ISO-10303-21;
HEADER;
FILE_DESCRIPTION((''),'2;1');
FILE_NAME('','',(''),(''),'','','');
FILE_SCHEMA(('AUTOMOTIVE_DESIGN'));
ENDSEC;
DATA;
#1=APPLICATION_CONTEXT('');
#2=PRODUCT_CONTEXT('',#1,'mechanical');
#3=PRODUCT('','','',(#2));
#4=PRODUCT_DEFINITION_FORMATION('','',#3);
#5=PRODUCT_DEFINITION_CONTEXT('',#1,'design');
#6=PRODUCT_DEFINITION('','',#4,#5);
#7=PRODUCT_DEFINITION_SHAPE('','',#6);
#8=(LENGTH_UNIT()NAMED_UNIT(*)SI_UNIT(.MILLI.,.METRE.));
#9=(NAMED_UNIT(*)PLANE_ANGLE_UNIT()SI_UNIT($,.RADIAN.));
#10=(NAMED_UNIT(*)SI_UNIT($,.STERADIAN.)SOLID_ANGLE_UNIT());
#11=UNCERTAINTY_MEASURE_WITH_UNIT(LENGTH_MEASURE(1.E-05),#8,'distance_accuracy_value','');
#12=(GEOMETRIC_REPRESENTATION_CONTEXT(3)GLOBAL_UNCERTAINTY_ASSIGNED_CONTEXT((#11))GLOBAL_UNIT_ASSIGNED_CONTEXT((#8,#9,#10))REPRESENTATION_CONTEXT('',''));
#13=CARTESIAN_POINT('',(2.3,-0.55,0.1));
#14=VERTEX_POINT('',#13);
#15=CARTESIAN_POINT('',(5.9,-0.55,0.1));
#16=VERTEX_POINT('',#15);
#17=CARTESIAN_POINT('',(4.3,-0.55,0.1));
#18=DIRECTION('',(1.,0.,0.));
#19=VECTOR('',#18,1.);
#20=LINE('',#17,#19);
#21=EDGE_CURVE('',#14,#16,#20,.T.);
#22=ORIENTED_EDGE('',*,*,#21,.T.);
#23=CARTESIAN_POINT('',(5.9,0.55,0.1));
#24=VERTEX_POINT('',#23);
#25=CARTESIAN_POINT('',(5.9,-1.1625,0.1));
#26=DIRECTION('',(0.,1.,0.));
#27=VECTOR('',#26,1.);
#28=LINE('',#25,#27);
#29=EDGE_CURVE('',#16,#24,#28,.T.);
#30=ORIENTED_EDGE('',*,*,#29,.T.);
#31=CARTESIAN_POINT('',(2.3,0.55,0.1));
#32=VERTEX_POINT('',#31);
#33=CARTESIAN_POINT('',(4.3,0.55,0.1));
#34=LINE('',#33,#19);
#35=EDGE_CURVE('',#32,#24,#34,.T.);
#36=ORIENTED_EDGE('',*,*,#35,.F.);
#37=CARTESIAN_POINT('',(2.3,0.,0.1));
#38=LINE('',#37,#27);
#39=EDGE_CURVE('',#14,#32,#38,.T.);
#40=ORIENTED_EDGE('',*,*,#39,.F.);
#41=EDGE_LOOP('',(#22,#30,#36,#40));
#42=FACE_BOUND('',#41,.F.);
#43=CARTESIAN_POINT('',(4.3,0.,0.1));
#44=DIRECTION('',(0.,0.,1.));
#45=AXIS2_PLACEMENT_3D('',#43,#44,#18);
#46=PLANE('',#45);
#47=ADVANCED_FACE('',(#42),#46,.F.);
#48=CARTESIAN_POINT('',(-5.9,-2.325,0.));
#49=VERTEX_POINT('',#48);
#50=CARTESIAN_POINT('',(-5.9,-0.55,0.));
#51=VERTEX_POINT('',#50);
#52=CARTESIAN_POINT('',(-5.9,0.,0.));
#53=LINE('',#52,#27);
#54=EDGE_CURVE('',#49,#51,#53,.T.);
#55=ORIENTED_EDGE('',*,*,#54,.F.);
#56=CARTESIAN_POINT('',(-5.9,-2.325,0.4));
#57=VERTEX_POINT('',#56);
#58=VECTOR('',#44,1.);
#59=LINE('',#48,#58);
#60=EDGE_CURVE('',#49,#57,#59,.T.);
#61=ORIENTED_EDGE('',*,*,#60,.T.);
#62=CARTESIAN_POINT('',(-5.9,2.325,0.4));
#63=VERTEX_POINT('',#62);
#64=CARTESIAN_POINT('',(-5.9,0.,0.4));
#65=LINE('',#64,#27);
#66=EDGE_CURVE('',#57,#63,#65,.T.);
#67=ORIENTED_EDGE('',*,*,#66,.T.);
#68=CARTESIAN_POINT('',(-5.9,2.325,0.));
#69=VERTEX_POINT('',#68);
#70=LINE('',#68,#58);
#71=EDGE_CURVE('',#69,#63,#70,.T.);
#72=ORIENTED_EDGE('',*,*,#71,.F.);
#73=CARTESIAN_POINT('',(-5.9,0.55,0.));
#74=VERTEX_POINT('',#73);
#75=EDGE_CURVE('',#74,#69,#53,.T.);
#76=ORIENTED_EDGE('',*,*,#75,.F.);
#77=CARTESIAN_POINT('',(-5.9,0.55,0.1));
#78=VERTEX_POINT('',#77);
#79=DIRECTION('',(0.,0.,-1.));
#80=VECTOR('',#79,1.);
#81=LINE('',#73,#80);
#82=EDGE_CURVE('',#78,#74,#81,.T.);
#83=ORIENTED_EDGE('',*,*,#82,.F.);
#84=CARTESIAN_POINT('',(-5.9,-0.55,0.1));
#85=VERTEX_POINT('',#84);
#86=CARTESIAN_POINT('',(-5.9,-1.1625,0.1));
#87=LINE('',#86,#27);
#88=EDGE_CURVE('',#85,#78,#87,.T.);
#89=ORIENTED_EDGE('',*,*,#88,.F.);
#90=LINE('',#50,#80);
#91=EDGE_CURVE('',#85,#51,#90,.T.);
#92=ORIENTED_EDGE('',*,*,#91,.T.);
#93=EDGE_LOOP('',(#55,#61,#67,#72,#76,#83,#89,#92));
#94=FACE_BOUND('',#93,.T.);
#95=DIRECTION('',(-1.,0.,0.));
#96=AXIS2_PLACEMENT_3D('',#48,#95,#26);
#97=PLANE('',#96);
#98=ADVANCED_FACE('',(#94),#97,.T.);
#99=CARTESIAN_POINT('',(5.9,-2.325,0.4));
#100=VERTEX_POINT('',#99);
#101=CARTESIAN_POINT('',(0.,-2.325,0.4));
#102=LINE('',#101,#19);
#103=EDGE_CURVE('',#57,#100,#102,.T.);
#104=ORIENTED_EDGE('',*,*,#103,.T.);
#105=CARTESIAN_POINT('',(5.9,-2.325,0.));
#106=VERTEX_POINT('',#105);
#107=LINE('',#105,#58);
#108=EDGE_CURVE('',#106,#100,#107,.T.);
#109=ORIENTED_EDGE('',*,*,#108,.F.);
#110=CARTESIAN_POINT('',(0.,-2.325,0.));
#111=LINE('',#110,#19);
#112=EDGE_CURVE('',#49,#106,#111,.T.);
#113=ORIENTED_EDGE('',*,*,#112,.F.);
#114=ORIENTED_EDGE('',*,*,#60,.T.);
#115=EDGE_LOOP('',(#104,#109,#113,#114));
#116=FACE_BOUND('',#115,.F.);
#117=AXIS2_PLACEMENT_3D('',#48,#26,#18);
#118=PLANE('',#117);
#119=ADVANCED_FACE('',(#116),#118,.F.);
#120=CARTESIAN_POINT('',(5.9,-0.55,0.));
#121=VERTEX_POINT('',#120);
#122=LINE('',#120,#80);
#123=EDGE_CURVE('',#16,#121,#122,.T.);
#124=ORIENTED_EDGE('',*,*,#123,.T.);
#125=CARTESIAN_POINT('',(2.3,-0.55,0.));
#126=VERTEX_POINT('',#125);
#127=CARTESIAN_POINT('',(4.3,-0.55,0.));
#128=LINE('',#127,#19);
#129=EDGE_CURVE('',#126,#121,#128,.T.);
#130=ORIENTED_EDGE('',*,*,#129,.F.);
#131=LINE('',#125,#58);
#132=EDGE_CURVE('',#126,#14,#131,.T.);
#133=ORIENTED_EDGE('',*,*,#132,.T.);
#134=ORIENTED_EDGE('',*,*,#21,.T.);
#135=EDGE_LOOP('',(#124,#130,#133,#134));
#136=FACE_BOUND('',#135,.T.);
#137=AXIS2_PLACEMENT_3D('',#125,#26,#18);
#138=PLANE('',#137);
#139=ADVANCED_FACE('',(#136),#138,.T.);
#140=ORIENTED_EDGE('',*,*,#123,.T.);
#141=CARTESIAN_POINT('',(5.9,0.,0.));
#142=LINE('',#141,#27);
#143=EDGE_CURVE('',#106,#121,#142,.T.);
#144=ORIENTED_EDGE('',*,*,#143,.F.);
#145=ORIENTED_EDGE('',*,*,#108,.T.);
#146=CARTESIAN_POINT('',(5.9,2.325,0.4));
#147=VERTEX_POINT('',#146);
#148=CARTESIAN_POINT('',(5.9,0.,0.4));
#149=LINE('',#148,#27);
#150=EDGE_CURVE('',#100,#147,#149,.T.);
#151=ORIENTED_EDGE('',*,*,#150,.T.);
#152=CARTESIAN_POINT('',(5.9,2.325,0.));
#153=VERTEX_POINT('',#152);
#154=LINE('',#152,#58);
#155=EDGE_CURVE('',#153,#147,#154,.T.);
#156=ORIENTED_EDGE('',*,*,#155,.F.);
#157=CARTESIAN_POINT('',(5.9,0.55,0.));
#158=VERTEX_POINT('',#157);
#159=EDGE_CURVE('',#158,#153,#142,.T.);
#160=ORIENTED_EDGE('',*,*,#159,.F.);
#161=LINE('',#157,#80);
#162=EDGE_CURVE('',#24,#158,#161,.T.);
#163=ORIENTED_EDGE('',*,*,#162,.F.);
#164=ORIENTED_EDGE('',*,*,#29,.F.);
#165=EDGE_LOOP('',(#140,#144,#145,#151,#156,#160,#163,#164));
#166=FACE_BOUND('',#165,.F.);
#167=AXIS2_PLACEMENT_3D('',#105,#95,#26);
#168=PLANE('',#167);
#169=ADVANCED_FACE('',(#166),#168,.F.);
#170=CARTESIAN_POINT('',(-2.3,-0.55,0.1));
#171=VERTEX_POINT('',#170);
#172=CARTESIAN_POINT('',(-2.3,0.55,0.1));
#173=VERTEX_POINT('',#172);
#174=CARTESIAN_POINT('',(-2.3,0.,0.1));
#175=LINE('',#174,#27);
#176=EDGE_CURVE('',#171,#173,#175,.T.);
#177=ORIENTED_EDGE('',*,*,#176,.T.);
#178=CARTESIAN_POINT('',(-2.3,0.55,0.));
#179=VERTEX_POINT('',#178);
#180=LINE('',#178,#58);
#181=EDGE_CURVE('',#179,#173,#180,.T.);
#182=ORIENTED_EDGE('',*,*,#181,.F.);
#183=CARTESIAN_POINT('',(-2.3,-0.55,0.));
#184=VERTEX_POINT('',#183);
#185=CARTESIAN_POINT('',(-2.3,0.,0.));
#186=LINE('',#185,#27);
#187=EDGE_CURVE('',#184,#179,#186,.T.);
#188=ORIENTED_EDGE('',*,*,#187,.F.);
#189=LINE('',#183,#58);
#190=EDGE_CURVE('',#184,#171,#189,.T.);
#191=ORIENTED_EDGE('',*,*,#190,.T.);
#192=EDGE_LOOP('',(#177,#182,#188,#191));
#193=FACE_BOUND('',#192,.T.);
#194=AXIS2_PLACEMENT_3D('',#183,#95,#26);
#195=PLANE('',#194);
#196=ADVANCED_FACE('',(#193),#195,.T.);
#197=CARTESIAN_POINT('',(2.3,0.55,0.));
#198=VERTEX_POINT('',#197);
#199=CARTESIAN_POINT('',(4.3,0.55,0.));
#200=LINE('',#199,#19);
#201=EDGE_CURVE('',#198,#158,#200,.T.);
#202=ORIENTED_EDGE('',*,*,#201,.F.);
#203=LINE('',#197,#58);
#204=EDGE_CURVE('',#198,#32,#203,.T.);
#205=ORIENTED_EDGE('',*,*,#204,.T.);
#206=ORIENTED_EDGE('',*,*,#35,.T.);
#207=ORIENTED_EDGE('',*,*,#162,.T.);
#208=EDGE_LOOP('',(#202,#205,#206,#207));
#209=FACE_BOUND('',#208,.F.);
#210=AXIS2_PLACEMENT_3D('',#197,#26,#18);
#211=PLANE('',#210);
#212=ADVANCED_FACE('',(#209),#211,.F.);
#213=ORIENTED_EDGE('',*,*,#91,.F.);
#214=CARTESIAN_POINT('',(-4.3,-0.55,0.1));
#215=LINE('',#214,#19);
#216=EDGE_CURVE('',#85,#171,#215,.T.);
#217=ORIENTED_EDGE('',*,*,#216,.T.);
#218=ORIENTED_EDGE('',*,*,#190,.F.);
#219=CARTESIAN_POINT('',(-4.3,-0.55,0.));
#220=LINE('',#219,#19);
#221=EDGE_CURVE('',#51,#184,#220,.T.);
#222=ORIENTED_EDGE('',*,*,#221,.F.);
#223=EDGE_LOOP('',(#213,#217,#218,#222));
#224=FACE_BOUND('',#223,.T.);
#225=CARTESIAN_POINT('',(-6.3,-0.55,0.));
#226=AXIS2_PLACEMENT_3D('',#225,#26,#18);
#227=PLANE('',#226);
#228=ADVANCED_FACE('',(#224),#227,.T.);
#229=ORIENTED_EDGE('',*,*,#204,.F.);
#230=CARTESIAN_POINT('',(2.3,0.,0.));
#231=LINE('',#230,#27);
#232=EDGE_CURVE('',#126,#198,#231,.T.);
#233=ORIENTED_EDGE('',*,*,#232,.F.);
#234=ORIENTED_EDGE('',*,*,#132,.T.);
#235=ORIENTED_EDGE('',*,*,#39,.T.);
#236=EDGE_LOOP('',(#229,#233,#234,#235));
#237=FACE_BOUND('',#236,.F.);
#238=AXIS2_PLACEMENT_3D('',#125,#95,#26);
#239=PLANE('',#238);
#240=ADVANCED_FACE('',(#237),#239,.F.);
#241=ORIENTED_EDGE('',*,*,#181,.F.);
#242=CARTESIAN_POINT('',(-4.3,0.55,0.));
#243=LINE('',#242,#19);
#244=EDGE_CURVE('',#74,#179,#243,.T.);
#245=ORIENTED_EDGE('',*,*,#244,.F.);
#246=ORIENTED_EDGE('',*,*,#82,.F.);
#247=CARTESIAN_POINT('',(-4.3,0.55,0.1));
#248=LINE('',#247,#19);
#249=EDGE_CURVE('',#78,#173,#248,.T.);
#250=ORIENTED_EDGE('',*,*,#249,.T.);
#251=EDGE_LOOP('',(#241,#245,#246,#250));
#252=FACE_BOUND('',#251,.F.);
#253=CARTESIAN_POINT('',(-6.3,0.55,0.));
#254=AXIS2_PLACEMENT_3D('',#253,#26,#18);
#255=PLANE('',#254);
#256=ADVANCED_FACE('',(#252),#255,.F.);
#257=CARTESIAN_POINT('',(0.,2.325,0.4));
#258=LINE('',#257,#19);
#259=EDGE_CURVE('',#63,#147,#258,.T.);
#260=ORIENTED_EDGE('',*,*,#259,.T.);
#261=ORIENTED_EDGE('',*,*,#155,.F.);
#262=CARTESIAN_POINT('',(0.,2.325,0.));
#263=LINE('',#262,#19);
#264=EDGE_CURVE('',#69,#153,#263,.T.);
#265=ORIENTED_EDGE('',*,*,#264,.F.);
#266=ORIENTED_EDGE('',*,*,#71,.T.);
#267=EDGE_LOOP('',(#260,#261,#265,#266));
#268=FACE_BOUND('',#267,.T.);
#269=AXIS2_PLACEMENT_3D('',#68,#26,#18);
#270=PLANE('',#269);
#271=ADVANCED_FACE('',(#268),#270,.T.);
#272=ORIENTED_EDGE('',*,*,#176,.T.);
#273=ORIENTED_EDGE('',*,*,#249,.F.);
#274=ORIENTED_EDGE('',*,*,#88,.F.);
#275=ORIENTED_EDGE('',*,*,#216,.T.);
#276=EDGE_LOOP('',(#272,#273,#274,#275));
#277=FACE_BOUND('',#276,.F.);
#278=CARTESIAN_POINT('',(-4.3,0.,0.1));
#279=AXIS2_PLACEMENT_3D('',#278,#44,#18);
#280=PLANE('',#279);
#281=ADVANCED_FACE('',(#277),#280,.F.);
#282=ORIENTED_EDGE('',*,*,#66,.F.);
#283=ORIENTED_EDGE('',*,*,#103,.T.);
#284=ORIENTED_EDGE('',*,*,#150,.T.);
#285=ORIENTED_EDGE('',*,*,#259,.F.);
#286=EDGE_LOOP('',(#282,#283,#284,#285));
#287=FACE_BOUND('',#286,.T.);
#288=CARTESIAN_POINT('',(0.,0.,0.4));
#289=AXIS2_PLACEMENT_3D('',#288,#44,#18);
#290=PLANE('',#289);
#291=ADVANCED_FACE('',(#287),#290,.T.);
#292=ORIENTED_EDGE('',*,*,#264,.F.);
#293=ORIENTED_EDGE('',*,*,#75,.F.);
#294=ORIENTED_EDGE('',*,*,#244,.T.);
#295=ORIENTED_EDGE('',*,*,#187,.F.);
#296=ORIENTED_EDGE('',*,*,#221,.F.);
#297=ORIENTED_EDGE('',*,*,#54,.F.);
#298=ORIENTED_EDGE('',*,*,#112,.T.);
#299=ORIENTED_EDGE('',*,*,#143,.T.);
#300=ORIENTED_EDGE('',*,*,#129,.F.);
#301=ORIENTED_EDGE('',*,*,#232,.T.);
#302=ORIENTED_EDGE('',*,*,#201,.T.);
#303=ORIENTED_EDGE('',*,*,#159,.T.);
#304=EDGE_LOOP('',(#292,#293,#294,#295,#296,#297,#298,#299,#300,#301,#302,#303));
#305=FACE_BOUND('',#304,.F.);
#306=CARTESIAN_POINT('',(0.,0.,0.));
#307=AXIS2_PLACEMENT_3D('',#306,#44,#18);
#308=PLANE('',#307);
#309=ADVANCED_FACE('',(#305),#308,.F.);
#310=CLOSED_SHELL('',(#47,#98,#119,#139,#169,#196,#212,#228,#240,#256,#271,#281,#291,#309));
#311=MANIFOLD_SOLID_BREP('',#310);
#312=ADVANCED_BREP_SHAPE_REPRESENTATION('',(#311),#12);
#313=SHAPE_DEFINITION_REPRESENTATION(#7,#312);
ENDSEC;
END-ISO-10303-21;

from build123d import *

# Parameters (mm, degrees)
BOX013_W     = 4
BOX013_H     = 1.1
BOX013_DEPTH = 0.1
BOX012_W     = 4
BOX012_H     = 1.1
BOX012_DEPTH = 0.1
BOX011_W     = 11.8
BOX011_H     = 4.65
BOX011_DEPTH = 0.4


with BuildPart() as cube011:
    # Box013 → Box013 (new body)
    with BuildSketch(Plane(origin=(-6.3, -0.55, 0), x_dir=(1, 0, 0), z_dir=(0, 0, 1))):
        with Locations((2, 0.55)):
            Rectangle(BOX013_W, BOX013_H)
    extrude(amount=BOX013_DEPTH)


with BuildPart() as cube010:
    # Box012 → Box012 (new body)
    with BuildSketch(Plane(origin=(2.3, -0.55, 0), x_dir=(1, 0, 0), z_dir=(0, 0, 1))):
        with Locations((2, 0.55)):
            Rectangle(BOX012_W, BOX012_H)
    extrude(amount=BOX012_DEPTH)


with BuildPart() as base:
    # Box011 → Box011 (new body)
    with BuildSketch(Plane(origin=(-5.9, -2.325, 0), x_dir=(1, 0, 0), z_dir=(0, 0, 1))):
        with Locations((5.9, 2.325)):
            Rectangle(BOX011_W, BOX011_H)
    extrude(amount=BOX011_DEPTH)

    # Cut003: cut Cube010
    add(cube010.part, mode=Mode.SUBTRACT)

    # Cut002: cut Cube011
    add(cube011.part, mode=Mode.SUBTRACT)


solid = base.part
